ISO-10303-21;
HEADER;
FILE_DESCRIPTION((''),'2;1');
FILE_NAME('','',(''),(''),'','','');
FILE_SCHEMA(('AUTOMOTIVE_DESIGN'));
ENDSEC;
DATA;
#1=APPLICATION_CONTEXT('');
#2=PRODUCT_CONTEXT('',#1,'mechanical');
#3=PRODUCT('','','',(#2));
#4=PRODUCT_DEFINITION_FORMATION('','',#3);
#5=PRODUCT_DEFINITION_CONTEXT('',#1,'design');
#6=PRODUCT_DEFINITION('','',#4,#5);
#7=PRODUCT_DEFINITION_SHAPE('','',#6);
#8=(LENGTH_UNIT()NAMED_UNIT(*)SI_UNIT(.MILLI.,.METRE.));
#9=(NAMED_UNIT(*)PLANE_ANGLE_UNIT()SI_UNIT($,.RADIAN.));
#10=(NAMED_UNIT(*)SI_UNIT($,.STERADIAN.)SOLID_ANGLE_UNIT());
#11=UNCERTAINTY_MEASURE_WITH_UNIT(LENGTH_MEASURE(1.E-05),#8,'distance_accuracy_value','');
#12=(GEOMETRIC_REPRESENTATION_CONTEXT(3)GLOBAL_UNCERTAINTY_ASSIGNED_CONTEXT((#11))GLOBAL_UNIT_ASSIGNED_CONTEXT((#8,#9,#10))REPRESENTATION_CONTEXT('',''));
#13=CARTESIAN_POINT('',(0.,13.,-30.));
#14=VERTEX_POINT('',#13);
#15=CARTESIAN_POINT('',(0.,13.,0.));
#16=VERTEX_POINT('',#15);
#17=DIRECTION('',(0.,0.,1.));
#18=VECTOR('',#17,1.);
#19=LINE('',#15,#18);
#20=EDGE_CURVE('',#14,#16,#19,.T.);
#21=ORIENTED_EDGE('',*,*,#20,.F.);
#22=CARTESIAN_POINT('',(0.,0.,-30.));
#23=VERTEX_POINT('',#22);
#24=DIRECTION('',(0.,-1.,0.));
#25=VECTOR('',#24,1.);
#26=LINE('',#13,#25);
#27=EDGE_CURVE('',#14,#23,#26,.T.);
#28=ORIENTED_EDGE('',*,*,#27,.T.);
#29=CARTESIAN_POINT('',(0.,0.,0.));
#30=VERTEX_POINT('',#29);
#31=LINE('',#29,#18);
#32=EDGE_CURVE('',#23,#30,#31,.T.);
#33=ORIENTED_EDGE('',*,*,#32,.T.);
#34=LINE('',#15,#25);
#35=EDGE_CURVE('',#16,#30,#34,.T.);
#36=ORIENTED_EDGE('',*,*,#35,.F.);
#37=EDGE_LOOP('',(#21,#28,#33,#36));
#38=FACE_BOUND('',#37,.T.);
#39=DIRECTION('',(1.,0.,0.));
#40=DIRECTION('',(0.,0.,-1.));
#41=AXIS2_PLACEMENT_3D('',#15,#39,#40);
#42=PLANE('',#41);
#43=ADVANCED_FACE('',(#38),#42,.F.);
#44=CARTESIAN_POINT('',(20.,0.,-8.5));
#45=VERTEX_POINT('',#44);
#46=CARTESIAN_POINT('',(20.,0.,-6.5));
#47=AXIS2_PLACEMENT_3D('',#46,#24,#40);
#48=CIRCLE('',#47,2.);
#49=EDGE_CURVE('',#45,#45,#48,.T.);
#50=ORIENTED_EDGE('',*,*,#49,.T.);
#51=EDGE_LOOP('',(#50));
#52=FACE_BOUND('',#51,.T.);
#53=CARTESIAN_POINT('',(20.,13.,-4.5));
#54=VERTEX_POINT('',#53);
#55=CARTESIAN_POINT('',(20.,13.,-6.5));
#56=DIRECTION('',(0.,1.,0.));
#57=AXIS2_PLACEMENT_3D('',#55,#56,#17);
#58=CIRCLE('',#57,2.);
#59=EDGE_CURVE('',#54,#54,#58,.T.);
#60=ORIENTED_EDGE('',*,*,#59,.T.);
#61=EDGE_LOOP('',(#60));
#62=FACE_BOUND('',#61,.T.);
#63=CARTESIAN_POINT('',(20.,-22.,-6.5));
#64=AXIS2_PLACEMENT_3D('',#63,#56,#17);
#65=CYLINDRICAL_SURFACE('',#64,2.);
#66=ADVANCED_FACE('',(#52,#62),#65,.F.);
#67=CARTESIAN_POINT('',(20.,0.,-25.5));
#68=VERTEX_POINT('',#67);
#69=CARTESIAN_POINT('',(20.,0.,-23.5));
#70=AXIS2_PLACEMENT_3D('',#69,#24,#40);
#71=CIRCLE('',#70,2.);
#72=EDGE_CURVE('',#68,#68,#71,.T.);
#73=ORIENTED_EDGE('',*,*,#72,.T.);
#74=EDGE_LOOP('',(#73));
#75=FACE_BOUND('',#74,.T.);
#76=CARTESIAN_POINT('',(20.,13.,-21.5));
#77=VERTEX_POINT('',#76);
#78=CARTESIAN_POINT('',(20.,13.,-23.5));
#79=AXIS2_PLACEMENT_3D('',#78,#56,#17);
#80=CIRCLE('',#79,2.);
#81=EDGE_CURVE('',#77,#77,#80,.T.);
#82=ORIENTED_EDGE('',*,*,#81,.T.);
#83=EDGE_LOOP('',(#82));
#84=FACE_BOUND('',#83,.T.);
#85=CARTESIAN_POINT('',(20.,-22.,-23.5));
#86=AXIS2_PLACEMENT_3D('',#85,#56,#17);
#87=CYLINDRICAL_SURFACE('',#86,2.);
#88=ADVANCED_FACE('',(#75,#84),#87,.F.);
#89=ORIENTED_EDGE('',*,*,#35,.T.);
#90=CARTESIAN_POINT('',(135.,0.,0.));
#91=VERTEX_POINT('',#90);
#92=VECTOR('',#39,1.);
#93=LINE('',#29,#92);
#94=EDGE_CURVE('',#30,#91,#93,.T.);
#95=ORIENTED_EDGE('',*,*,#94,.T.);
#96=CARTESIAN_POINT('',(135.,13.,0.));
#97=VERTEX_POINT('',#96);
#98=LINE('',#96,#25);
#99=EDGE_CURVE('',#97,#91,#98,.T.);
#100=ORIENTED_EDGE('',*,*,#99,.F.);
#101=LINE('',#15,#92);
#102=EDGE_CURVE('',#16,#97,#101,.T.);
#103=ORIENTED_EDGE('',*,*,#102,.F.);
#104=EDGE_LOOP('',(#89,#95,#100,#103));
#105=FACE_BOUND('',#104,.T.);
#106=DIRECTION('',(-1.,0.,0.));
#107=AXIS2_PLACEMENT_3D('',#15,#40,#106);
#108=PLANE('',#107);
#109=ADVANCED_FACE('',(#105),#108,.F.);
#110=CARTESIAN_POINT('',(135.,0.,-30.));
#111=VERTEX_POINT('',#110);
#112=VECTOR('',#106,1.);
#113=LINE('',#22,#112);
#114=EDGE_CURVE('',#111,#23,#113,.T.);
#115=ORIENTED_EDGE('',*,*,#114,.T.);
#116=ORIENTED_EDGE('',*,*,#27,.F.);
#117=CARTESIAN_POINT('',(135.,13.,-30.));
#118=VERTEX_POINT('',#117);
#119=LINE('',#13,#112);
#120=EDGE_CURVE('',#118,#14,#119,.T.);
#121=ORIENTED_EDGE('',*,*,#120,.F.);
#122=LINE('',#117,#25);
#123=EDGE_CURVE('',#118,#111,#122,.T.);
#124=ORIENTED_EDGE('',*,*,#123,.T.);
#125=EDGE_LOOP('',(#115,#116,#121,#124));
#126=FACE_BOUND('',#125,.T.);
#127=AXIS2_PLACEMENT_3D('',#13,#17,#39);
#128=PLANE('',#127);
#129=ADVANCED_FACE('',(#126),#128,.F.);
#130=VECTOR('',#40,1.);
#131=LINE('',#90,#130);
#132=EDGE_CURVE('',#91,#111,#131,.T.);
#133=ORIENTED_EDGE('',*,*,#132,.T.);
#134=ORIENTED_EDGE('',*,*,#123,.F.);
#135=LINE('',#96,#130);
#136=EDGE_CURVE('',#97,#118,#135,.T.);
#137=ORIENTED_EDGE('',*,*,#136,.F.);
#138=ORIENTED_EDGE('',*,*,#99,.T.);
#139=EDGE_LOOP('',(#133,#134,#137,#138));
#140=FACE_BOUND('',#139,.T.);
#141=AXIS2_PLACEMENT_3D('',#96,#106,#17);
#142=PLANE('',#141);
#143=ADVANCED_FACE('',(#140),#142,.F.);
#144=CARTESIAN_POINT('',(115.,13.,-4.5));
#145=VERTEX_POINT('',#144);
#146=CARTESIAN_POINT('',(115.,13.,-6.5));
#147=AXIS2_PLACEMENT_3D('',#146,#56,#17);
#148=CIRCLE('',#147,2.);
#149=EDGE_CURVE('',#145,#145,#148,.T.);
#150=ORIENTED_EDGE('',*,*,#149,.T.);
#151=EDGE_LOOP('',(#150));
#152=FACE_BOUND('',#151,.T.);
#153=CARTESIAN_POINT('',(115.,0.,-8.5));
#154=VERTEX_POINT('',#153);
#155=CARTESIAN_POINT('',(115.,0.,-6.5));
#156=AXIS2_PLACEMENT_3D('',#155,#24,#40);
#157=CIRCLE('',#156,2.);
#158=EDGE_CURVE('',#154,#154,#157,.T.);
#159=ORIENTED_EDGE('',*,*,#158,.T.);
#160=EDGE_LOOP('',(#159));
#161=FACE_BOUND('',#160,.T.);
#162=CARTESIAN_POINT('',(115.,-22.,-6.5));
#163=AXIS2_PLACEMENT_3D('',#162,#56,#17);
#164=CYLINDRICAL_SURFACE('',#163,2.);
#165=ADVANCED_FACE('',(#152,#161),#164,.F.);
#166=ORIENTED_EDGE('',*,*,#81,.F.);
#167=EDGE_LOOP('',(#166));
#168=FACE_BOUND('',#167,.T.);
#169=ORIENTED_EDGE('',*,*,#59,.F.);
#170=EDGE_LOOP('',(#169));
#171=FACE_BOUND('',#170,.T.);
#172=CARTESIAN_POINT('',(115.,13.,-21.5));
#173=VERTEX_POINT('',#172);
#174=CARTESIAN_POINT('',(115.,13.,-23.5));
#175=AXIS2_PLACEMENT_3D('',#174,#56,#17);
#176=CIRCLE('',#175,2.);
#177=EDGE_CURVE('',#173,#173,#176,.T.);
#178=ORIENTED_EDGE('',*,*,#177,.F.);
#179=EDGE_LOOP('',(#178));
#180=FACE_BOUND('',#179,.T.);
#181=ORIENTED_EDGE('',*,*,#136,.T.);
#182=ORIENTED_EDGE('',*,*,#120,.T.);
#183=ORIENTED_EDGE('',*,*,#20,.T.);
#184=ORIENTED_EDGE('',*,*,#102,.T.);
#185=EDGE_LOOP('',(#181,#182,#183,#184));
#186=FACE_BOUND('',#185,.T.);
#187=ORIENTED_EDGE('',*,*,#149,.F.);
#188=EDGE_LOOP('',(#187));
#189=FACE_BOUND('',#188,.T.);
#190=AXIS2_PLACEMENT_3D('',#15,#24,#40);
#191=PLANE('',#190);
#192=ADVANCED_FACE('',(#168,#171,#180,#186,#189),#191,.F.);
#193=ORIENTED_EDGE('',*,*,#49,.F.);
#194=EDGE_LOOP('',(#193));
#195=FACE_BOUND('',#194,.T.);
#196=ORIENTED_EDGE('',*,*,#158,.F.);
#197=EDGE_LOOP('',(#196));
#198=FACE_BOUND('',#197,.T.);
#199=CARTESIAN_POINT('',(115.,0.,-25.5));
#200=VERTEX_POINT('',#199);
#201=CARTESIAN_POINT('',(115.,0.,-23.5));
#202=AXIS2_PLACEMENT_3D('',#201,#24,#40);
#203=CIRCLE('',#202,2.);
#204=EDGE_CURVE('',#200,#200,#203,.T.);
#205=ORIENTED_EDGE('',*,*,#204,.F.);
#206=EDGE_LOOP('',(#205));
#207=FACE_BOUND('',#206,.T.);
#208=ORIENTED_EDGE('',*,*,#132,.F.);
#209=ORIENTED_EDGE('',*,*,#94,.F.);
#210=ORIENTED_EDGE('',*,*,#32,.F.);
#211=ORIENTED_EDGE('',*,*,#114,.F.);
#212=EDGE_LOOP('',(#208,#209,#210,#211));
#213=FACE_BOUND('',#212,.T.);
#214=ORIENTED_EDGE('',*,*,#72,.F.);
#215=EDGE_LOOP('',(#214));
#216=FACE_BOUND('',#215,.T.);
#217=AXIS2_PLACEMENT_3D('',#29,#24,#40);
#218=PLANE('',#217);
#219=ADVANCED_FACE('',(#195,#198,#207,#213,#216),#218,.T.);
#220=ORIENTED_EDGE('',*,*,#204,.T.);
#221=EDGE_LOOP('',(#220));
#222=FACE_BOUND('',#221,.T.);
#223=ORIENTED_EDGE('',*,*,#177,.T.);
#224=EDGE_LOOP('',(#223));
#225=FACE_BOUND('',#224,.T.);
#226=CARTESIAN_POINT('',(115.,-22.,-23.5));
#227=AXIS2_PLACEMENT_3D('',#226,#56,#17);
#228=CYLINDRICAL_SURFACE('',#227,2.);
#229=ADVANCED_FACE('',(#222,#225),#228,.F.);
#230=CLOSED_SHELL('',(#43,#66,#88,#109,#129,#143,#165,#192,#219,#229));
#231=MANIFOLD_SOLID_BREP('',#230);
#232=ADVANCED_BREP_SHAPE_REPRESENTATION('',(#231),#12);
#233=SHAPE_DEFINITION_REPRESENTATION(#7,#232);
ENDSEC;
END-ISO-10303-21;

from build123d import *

# Parameters (mm, degrees)
SKETCH1_W           = 135
SKETCH1_H           = 30
BOSS_EXTRUDE1_DEPTH = 13
SKETCH2_R           = 2
CUT_EXTRUDE1_DEPTH  = 35


with BuildPart() as part:
    # Sketch1 → Boss-Extrude1 (new body)
    with BuildSketch(Plane(origin=(0, 0, 0), x_dir=(1, 0, 0), z_dir=(0, 1, 0))):
        with Locations((67.5, 15)):
            Rectangle(SKETCH1_W, SKETCH1_H)
    extrude(amount=BOSS_EXTRUDE1_DEPTH)

    # Sketch2 → Cut-Extrude1 (cut)
    with BuildSketch(Plane(origin=(0, 13, 0), x_dir=(1, 0, 0), z_dir=(0, 1, 0))):
        with Locations(Location((20, 23.5, 0), (0, 0, 270))):
            Circle(SKETCH2_R)
        with Locations(Location((20, 6.5, 0), (0, 0, 270))):
            Circle(SKETCH2_R)
        with Locations(Location((115, 23.5, 0), (0, 0, 270))):
            Circle(SKETCH2_R)
        with Locations(Location((115, 6.5, 0), (0, 0, 270))):
            Circle(SKETCH2_R)
    extrude(amount=-CUT_EXTRUDE1_DEPTH, mode=Mode.SUBTRACT)


solid = part.part
